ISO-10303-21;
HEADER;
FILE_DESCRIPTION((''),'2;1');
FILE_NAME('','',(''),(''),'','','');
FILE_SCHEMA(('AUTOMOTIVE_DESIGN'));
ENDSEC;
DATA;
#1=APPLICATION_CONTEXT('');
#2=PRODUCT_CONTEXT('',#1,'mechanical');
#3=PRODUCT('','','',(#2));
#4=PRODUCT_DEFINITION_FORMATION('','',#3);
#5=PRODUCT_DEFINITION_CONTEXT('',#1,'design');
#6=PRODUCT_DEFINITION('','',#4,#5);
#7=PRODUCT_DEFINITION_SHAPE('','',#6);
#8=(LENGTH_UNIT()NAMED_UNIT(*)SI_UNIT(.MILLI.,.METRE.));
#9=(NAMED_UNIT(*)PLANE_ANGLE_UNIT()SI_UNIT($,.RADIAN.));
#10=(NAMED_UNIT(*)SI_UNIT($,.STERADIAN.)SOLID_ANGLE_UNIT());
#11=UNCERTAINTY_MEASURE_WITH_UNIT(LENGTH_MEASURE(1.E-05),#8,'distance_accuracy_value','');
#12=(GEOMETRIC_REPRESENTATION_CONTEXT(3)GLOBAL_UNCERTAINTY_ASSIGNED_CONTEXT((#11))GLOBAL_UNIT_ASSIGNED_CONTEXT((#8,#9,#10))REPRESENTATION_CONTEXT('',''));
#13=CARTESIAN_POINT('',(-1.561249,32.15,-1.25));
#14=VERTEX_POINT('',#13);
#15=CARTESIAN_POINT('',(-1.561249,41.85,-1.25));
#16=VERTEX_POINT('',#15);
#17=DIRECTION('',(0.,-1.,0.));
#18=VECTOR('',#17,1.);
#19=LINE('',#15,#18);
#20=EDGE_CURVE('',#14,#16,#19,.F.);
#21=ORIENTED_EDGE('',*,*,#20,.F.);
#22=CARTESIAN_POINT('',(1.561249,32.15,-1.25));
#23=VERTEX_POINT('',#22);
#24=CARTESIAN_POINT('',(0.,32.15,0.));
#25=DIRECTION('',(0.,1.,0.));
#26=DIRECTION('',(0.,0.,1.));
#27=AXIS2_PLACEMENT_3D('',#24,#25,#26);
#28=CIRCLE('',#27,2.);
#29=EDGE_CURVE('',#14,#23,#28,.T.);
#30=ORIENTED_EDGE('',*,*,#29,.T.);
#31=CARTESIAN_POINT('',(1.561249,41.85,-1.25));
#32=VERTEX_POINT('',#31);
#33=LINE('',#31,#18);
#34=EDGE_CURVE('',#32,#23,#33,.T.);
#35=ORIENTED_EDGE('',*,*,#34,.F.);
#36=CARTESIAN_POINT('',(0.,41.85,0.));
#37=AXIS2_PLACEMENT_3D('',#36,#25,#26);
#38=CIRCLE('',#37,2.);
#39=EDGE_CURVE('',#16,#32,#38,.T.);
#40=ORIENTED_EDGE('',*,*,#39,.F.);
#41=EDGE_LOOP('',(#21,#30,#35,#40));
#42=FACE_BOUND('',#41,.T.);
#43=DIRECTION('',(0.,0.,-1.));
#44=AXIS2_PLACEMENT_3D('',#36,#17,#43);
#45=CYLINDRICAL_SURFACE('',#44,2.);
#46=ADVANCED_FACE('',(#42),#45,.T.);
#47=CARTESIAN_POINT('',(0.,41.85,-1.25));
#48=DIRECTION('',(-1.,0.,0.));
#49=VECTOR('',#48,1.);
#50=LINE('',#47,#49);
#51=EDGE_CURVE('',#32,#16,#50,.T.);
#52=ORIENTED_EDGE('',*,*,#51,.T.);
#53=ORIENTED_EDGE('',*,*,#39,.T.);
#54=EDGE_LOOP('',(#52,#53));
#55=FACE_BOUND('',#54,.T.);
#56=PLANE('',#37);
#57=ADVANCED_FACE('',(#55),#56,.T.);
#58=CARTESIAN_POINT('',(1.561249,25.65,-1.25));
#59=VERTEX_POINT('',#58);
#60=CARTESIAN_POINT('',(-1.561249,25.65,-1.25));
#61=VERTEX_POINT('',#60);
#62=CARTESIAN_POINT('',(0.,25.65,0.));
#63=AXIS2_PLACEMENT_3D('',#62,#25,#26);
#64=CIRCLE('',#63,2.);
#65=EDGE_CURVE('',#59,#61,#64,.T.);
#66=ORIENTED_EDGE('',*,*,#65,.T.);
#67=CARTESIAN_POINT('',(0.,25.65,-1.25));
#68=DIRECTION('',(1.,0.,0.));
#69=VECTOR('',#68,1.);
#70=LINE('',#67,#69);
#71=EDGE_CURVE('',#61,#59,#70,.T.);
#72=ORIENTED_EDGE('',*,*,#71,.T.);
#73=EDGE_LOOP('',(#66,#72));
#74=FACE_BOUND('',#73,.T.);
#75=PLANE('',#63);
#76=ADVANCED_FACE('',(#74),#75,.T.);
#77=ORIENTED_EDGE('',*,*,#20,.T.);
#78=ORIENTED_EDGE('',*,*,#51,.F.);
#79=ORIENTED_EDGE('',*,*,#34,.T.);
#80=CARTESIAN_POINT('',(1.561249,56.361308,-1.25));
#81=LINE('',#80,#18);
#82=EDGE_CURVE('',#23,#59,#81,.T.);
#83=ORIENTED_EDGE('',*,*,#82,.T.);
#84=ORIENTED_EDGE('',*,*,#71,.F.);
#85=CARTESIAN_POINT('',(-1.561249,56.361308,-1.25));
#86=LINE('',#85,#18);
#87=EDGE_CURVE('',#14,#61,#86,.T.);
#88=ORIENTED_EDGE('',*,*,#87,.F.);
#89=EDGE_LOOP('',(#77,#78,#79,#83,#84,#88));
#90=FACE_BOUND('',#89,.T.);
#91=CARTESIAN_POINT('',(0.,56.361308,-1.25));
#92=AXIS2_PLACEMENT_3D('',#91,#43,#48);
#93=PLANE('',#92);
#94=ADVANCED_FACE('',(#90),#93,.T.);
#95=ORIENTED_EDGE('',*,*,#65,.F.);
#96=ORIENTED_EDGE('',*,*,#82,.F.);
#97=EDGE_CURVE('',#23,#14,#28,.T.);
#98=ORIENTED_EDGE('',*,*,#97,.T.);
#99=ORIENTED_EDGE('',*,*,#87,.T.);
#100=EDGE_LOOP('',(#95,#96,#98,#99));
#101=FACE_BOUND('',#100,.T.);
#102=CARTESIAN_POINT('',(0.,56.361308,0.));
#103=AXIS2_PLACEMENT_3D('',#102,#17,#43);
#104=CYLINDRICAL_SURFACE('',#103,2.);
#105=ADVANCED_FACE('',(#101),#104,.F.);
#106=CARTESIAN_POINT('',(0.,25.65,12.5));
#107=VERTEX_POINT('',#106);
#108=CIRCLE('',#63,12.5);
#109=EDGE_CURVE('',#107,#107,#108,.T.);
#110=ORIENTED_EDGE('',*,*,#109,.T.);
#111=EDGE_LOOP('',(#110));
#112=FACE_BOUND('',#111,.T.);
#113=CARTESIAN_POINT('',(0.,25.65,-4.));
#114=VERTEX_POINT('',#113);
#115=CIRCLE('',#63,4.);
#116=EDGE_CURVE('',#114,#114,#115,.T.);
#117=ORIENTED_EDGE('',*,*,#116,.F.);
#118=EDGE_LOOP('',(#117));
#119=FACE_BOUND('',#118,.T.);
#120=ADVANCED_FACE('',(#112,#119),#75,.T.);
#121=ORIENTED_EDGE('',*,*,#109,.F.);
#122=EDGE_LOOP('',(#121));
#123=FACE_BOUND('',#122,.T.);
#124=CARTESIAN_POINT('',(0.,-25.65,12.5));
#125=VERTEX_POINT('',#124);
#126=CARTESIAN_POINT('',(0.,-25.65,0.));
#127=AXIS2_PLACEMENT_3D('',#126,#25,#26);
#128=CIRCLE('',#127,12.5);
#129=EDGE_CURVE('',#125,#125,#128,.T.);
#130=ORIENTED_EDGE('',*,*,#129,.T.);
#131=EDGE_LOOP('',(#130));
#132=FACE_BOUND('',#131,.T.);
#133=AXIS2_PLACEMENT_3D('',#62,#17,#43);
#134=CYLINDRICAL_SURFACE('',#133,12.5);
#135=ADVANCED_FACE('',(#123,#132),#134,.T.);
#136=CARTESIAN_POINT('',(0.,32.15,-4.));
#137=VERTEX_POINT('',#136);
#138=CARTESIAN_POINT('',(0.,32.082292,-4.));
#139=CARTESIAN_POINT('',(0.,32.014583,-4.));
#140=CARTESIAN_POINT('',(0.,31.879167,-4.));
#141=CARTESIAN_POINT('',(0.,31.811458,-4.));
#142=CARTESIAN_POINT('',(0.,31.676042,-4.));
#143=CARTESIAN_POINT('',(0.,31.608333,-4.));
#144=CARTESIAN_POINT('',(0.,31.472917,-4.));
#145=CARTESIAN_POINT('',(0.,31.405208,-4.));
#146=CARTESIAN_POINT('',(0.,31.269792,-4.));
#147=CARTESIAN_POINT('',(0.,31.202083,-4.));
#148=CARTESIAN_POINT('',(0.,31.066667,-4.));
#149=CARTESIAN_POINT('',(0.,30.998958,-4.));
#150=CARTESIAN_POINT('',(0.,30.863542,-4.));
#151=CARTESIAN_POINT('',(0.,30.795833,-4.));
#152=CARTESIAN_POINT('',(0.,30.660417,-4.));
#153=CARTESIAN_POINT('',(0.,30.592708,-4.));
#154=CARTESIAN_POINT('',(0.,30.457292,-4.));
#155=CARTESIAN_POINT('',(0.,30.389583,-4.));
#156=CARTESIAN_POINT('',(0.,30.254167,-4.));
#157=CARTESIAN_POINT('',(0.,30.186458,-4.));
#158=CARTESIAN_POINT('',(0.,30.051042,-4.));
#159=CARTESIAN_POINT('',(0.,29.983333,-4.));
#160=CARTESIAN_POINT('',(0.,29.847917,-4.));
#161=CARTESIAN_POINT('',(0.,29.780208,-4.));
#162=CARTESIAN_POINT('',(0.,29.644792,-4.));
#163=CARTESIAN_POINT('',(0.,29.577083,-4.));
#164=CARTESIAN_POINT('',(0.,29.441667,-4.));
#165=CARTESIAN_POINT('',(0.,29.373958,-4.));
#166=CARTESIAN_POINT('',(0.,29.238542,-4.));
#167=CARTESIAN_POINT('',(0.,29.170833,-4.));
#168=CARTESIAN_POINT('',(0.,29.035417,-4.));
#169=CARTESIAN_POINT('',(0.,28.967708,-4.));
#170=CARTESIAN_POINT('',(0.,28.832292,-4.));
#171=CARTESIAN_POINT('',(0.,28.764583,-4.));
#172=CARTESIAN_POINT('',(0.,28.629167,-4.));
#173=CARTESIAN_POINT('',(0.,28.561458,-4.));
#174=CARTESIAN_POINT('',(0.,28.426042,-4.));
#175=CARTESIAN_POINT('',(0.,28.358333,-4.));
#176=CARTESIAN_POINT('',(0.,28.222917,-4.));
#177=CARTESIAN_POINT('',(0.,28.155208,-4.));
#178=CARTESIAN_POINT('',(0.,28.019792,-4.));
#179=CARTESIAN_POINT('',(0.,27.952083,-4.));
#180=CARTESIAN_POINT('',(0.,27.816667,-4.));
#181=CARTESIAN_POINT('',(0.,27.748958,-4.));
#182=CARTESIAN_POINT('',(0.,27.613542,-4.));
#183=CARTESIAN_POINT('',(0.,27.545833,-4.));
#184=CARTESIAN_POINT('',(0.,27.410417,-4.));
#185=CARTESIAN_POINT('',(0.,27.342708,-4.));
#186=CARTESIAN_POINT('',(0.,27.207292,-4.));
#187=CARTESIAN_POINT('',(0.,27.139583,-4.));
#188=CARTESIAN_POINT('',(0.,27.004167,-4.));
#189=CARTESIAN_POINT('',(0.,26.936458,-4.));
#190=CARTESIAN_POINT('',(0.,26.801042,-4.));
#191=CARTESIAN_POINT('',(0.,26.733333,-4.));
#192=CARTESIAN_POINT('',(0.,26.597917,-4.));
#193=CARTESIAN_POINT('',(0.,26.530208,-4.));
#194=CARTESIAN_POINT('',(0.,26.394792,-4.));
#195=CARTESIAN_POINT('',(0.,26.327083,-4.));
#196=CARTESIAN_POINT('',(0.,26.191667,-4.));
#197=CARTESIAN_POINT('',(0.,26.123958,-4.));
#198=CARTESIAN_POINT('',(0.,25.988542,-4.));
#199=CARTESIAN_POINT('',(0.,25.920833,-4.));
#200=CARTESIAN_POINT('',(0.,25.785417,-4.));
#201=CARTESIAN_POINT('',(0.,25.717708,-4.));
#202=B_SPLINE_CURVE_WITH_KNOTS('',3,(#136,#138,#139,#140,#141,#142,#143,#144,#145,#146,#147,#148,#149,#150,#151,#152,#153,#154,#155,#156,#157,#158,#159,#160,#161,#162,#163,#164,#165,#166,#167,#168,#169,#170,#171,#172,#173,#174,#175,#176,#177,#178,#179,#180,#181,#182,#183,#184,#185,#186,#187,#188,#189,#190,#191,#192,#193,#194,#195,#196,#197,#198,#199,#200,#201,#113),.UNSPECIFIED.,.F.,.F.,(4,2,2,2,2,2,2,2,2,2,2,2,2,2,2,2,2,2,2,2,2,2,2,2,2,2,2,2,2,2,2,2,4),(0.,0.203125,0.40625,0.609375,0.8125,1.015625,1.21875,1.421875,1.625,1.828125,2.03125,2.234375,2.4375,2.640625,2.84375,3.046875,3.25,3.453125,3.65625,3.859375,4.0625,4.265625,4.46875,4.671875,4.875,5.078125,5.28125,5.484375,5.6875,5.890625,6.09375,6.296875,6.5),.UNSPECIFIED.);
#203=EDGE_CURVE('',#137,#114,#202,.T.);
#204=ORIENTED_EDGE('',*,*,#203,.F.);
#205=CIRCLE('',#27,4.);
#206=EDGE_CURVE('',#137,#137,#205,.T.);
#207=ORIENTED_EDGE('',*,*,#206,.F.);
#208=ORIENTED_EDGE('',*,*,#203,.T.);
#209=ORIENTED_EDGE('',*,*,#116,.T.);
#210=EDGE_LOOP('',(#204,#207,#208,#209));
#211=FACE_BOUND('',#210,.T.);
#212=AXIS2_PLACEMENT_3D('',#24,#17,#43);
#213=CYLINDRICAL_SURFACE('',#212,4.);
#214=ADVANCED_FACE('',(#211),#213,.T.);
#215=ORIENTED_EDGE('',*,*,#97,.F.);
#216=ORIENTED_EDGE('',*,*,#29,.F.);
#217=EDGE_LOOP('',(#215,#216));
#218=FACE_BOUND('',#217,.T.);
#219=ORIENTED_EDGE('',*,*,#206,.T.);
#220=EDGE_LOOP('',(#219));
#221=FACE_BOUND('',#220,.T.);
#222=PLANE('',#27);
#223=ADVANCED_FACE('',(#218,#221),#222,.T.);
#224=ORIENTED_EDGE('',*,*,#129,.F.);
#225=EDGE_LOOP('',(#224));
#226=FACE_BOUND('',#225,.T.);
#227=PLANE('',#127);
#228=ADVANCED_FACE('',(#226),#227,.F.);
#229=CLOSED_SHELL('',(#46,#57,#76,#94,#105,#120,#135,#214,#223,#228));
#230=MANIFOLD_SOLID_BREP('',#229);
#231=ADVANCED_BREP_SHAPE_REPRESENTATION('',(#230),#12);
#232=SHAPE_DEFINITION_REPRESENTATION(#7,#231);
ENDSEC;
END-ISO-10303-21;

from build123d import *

# Parameters (mm, degrees)
SKETCH1_R           = 12.5
BOSS_EXTRUDE1_DEPTH = 25.65
BOSS_EXTRUDE2_DEPTH = 16.2
SKETCH2_3_R         = 4
SKETCH2_3_R_2       = 2
BOSS_EXTRUDE3_DEPTH = 6.5
CUT_EXTRUDE2_DEPTH  = 17


with BuildPart() as part:
    # Sketch1 → Boss-Extrude1 (new, symmetric)
    with BuildSketch(Plane(origin=(0, 0, 0), x_dir=(1, 0, 0), z_dir=(0, 1, 0))):
        with Locations(Location((0, 0, 0), (0, 0, 270))):
            Circle(SKETCH1_R)
    extrude(amount=BOSS_EXTRUDE1_DEPTH, both=True)

    # Sketch2 → Boss-Extrude2 (add)
    with BuildSketch(Plane(origin=(0, 25.65, 0), x_dir=(1, 0, 0), z_dir=(0, 1, 0))):
        with BuildLine():
            ThreePointArc((1.5612495, 1.25), (0, 2), (-1.5612495, 1.25))
            Line((-1.5612495, 1.25), (1.5612495, 1.25))
        make_face()
        with BuildLine():
            Line((1.5612495, 1.25), (-1.5612495, 1.25))
            ThreePointArc((-1.5612495, 1.25), (-0.662382443, -1.887127314), (2, 0))
            ThreePointArc((2, 0), (1.887127314, 0.662382443), (1.5612495, 1.25))
        make_face()
    extrude(amount=BOSS_EXTRUDE2_DEPTH)

    # Sketch2<3> → Boss-Extrude3 (add)
    with BuildSketch(Plane(origin=(0, 25.65, 0), x_dir=(1, 0, 0), z_dir=(0, 1, 0))):
        with Locations(Location((0, 0, 0), (0, 0, 90))):
            Circle(SKETCH2_3_R)
        with Locations(Location((0, 0, 0), (0, 0, 270))):
            Circle(SKETCH2_3_R_2, mode=Mode.SUBTRACT)
    extrude(amount=BOSS_EXTRUDE3_DEPTH)

    # Sketch2<4> → Cut-Extrude2 (cut)
    with BuildSketch(Plane(origin=(0, 25.65, 0), x_dir=(1, 0, 0), z_dir=(0, 1, 0))):
        with BuildLine():
            ThreePointArc((1.5612495, 1.25), (0, 2), (-1.5612495, 1.25))
            Line((-1.5612495, 1.25), (1.5612495, 1.25))
        make_face()
    extrude(amount=CUT_EXTRUDE2_DEPTH, mode=Mode.SUBTRACT)


solid = part.part
